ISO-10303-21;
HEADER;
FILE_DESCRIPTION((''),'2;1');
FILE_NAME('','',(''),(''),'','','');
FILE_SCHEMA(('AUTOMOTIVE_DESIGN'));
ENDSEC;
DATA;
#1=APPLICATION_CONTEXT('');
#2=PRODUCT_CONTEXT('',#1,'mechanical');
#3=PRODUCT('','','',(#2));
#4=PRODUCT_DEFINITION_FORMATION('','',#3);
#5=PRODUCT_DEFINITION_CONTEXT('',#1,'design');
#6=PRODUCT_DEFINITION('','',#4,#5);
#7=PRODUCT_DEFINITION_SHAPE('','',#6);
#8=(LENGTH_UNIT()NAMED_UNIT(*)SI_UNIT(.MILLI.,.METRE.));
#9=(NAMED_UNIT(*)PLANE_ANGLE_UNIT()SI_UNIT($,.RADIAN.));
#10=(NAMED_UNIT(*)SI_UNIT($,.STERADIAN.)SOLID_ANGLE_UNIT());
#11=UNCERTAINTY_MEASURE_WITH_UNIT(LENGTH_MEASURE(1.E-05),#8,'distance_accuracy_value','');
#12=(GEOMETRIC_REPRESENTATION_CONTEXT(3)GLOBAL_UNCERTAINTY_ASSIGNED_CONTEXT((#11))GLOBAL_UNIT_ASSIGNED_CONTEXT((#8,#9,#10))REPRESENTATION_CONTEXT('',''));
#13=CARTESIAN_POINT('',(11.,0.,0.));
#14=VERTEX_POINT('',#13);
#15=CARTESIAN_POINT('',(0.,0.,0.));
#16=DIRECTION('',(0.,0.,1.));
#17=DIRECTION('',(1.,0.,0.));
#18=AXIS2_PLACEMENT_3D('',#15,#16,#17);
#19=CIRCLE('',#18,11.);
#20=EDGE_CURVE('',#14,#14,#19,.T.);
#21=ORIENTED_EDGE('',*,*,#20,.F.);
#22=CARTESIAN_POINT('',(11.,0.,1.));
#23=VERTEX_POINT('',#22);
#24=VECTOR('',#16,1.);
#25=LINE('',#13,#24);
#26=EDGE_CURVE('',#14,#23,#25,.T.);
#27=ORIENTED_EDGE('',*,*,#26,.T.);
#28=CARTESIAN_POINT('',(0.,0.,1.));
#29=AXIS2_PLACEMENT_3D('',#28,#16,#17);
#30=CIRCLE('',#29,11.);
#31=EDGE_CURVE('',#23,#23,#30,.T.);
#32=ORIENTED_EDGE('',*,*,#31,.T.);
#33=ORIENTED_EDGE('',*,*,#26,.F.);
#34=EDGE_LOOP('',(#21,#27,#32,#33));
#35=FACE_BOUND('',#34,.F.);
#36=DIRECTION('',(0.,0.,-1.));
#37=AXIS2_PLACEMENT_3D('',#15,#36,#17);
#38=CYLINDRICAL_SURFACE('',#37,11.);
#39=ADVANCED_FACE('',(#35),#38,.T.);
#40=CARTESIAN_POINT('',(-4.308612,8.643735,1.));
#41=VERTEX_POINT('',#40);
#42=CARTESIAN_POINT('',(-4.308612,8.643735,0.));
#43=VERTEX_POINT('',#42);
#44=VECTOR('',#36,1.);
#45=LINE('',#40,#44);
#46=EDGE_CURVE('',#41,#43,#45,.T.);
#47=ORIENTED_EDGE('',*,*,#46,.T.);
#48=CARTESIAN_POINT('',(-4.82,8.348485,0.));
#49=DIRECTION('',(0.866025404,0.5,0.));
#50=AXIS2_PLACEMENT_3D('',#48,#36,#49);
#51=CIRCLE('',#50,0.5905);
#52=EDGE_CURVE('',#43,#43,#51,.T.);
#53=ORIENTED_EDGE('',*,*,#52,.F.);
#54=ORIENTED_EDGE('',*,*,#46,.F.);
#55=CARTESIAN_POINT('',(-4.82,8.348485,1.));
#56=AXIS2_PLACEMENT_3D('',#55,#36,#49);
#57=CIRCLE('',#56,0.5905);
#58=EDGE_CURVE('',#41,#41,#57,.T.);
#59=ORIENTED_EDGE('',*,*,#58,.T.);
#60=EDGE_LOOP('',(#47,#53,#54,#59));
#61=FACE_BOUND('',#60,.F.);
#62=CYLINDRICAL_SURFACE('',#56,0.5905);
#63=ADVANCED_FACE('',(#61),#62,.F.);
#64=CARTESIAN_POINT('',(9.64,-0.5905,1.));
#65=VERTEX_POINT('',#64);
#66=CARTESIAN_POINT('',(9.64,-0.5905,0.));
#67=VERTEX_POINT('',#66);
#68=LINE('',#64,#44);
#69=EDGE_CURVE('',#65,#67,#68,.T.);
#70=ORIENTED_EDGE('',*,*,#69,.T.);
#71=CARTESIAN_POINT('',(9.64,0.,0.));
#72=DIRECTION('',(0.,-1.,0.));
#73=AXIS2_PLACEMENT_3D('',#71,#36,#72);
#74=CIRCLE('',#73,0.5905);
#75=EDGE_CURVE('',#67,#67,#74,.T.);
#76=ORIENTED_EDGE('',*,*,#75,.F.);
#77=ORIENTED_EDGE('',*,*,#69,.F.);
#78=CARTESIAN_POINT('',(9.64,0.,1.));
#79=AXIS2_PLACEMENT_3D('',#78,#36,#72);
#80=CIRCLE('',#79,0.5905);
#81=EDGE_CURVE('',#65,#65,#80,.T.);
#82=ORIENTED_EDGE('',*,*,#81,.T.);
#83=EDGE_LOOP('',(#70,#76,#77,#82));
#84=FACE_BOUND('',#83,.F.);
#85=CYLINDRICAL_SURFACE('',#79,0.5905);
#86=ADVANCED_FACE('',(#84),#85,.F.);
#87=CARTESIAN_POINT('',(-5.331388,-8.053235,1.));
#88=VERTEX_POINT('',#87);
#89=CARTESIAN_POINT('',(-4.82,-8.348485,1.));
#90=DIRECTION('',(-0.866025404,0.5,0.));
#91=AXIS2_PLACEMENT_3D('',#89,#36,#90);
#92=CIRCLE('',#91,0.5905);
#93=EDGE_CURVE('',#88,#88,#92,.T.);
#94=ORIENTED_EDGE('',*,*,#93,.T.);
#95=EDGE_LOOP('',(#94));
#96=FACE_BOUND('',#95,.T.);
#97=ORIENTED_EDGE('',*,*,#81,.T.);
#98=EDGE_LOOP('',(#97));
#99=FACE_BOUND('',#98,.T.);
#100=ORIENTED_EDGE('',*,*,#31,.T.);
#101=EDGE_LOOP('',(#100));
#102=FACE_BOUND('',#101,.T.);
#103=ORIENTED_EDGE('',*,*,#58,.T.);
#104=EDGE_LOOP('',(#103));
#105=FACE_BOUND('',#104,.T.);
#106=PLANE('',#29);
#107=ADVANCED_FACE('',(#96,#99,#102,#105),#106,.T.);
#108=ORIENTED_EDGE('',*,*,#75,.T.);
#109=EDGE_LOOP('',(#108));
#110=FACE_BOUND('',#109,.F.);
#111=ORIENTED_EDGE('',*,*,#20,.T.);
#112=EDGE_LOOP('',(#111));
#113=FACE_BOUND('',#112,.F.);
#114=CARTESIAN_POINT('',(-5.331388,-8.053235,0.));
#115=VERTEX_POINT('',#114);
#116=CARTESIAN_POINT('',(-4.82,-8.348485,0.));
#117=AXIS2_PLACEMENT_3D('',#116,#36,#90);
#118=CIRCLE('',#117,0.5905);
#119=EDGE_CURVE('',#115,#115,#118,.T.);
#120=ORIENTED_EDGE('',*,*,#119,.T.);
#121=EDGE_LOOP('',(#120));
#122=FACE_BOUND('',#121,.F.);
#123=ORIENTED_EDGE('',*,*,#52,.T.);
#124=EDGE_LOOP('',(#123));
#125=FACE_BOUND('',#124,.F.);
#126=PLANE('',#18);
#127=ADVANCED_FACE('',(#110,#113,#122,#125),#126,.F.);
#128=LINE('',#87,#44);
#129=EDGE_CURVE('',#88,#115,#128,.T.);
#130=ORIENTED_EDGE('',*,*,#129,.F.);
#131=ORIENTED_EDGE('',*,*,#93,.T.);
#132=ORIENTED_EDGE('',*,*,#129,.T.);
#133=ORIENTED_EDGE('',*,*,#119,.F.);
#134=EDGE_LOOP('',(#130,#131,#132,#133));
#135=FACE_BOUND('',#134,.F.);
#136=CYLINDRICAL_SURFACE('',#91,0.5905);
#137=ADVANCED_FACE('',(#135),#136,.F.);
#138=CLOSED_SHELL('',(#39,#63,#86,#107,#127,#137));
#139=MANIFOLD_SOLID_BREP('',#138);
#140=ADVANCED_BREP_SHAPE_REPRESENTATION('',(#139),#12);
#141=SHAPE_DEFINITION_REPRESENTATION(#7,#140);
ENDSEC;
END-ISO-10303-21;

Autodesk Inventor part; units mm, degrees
ref_plane "YZ Plane" through (0, 0, 0) normal (1, 0, 0) x (0, 1, 0)
ref_plane "XZ Plane" through (0, 0, 0) normal (0, 1, 0) x (-1, 0, 0)
ref_plane "XY Plane" through (0, 0, 0) normal (0, 0, 1) x (1, 0, 0)
sketch "Sketch1" plane through (0, 0, 0) normal (0, 0, 1) x (1, 0, 0)
  circle A0 centre (0, 0) radius 11
  dimension "d0" = 22
extrude "Extrusion1" add sketch "Sketch1" along normal blind 1
sketch "Sketch2" plane through (0, 0, 1) normal (0, 0, 1) x (1, 0, 0)
  circle A0 centre (0, 0) radius 11 projected
  point P0 (9.64, 0)
  dimension "d3" = 9.64
hole "Hole1" at (9.64, 0, 1) direction (0, 0, -1) diameter 1.181 depth 8 thread size "0-80 UNF" class "2B" standard "ANSI Unified Screw Threads"
pattern_circular "Circular Pattern1" count 3 over 360 about axis through (0, 0, -10) along (0, 0, 1) of "Hole1"
properties part number "Electronics"
